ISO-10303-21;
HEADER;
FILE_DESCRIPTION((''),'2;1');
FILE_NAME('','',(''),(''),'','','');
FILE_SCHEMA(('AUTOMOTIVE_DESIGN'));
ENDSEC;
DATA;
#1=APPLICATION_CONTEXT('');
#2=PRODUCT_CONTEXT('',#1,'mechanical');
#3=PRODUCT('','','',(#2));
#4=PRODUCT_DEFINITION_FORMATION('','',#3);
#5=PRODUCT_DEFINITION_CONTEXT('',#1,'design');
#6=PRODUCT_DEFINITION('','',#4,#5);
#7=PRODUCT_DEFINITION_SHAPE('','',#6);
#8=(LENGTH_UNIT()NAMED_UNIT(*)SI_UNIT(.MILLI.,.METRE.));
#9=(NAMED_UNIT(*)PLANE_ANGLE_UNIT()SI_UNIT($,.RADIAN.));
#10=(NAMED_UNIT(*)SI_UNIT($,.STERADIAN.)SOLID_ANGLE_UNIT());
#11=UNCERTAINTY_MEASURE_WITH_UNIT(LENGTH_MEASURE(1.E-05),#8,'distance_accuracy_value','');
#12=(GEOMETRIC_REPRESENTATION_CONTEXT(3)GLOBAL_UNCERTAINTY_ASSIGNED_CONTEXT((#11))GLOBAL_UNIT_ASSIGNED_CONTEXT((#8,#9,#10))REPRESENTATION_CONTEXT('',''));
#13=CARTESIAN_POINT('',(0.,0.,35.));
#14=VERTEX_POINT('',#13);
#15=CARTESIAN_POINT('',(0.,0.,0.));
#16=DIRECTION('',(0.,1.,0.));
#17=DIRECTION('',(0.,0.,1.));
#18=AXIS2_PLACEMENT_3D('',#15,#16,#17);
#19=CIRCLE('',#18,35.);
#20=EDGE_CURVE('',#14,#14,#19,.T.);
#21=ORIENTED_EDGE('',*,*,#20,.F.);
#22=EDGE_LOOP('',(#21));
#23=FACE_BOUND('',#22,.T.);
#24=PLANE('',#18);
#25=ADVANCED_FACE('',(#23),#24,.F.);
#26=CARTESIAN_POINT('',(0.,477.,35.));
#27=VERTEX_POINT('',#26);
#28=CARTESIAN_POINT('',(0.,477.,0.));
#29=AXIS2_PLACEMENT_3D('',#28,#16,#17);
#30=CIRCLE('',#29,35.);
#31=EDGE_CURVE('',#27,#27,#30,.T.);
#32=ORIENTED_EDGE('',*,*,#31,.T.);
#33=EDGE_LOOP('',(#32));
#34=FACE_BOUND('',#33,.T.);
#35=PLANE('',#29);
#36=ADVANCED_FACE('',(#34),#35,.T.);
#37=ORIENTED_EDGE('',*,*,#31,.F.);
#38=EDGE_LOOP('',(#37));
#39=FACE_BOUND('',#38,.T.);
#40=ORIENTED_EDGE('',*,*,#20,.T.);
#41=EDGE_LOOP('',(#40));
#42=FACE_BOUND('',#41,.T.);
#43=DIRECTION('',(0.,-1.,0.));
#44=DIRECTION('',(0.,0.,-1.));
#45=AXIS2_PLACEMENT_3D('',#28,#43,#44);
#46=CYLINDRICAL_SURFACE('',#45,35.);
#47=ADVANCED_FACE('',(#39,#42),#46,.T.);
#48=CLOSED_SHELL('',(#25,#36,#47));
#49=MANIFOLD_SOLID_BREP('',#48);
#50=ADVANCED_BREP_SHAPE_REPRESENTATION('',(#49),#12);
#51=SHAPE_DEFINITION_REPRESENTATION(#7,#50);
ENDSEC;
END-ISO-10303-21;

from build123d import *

# Parameters (mm, degrees)
SKETCH_1_R      = 35
EXTRUDE_1_DEPTH = 477


with BuildPart() as part:
    # 草图1 → 凸台-拉伸1 (new body)
    with BuildSketch(Plane(origin=(0, 0, 0), x_dir=(1, 0, 0), z_dir=(0, 1, 0))):
        with Locations(Location((0, 0, 0), (0, 0, 270))):
            Circle(SKETCH_1_R)
    extrude(amount=EXTRUDE_1_DEPTH)


solid = part.part
